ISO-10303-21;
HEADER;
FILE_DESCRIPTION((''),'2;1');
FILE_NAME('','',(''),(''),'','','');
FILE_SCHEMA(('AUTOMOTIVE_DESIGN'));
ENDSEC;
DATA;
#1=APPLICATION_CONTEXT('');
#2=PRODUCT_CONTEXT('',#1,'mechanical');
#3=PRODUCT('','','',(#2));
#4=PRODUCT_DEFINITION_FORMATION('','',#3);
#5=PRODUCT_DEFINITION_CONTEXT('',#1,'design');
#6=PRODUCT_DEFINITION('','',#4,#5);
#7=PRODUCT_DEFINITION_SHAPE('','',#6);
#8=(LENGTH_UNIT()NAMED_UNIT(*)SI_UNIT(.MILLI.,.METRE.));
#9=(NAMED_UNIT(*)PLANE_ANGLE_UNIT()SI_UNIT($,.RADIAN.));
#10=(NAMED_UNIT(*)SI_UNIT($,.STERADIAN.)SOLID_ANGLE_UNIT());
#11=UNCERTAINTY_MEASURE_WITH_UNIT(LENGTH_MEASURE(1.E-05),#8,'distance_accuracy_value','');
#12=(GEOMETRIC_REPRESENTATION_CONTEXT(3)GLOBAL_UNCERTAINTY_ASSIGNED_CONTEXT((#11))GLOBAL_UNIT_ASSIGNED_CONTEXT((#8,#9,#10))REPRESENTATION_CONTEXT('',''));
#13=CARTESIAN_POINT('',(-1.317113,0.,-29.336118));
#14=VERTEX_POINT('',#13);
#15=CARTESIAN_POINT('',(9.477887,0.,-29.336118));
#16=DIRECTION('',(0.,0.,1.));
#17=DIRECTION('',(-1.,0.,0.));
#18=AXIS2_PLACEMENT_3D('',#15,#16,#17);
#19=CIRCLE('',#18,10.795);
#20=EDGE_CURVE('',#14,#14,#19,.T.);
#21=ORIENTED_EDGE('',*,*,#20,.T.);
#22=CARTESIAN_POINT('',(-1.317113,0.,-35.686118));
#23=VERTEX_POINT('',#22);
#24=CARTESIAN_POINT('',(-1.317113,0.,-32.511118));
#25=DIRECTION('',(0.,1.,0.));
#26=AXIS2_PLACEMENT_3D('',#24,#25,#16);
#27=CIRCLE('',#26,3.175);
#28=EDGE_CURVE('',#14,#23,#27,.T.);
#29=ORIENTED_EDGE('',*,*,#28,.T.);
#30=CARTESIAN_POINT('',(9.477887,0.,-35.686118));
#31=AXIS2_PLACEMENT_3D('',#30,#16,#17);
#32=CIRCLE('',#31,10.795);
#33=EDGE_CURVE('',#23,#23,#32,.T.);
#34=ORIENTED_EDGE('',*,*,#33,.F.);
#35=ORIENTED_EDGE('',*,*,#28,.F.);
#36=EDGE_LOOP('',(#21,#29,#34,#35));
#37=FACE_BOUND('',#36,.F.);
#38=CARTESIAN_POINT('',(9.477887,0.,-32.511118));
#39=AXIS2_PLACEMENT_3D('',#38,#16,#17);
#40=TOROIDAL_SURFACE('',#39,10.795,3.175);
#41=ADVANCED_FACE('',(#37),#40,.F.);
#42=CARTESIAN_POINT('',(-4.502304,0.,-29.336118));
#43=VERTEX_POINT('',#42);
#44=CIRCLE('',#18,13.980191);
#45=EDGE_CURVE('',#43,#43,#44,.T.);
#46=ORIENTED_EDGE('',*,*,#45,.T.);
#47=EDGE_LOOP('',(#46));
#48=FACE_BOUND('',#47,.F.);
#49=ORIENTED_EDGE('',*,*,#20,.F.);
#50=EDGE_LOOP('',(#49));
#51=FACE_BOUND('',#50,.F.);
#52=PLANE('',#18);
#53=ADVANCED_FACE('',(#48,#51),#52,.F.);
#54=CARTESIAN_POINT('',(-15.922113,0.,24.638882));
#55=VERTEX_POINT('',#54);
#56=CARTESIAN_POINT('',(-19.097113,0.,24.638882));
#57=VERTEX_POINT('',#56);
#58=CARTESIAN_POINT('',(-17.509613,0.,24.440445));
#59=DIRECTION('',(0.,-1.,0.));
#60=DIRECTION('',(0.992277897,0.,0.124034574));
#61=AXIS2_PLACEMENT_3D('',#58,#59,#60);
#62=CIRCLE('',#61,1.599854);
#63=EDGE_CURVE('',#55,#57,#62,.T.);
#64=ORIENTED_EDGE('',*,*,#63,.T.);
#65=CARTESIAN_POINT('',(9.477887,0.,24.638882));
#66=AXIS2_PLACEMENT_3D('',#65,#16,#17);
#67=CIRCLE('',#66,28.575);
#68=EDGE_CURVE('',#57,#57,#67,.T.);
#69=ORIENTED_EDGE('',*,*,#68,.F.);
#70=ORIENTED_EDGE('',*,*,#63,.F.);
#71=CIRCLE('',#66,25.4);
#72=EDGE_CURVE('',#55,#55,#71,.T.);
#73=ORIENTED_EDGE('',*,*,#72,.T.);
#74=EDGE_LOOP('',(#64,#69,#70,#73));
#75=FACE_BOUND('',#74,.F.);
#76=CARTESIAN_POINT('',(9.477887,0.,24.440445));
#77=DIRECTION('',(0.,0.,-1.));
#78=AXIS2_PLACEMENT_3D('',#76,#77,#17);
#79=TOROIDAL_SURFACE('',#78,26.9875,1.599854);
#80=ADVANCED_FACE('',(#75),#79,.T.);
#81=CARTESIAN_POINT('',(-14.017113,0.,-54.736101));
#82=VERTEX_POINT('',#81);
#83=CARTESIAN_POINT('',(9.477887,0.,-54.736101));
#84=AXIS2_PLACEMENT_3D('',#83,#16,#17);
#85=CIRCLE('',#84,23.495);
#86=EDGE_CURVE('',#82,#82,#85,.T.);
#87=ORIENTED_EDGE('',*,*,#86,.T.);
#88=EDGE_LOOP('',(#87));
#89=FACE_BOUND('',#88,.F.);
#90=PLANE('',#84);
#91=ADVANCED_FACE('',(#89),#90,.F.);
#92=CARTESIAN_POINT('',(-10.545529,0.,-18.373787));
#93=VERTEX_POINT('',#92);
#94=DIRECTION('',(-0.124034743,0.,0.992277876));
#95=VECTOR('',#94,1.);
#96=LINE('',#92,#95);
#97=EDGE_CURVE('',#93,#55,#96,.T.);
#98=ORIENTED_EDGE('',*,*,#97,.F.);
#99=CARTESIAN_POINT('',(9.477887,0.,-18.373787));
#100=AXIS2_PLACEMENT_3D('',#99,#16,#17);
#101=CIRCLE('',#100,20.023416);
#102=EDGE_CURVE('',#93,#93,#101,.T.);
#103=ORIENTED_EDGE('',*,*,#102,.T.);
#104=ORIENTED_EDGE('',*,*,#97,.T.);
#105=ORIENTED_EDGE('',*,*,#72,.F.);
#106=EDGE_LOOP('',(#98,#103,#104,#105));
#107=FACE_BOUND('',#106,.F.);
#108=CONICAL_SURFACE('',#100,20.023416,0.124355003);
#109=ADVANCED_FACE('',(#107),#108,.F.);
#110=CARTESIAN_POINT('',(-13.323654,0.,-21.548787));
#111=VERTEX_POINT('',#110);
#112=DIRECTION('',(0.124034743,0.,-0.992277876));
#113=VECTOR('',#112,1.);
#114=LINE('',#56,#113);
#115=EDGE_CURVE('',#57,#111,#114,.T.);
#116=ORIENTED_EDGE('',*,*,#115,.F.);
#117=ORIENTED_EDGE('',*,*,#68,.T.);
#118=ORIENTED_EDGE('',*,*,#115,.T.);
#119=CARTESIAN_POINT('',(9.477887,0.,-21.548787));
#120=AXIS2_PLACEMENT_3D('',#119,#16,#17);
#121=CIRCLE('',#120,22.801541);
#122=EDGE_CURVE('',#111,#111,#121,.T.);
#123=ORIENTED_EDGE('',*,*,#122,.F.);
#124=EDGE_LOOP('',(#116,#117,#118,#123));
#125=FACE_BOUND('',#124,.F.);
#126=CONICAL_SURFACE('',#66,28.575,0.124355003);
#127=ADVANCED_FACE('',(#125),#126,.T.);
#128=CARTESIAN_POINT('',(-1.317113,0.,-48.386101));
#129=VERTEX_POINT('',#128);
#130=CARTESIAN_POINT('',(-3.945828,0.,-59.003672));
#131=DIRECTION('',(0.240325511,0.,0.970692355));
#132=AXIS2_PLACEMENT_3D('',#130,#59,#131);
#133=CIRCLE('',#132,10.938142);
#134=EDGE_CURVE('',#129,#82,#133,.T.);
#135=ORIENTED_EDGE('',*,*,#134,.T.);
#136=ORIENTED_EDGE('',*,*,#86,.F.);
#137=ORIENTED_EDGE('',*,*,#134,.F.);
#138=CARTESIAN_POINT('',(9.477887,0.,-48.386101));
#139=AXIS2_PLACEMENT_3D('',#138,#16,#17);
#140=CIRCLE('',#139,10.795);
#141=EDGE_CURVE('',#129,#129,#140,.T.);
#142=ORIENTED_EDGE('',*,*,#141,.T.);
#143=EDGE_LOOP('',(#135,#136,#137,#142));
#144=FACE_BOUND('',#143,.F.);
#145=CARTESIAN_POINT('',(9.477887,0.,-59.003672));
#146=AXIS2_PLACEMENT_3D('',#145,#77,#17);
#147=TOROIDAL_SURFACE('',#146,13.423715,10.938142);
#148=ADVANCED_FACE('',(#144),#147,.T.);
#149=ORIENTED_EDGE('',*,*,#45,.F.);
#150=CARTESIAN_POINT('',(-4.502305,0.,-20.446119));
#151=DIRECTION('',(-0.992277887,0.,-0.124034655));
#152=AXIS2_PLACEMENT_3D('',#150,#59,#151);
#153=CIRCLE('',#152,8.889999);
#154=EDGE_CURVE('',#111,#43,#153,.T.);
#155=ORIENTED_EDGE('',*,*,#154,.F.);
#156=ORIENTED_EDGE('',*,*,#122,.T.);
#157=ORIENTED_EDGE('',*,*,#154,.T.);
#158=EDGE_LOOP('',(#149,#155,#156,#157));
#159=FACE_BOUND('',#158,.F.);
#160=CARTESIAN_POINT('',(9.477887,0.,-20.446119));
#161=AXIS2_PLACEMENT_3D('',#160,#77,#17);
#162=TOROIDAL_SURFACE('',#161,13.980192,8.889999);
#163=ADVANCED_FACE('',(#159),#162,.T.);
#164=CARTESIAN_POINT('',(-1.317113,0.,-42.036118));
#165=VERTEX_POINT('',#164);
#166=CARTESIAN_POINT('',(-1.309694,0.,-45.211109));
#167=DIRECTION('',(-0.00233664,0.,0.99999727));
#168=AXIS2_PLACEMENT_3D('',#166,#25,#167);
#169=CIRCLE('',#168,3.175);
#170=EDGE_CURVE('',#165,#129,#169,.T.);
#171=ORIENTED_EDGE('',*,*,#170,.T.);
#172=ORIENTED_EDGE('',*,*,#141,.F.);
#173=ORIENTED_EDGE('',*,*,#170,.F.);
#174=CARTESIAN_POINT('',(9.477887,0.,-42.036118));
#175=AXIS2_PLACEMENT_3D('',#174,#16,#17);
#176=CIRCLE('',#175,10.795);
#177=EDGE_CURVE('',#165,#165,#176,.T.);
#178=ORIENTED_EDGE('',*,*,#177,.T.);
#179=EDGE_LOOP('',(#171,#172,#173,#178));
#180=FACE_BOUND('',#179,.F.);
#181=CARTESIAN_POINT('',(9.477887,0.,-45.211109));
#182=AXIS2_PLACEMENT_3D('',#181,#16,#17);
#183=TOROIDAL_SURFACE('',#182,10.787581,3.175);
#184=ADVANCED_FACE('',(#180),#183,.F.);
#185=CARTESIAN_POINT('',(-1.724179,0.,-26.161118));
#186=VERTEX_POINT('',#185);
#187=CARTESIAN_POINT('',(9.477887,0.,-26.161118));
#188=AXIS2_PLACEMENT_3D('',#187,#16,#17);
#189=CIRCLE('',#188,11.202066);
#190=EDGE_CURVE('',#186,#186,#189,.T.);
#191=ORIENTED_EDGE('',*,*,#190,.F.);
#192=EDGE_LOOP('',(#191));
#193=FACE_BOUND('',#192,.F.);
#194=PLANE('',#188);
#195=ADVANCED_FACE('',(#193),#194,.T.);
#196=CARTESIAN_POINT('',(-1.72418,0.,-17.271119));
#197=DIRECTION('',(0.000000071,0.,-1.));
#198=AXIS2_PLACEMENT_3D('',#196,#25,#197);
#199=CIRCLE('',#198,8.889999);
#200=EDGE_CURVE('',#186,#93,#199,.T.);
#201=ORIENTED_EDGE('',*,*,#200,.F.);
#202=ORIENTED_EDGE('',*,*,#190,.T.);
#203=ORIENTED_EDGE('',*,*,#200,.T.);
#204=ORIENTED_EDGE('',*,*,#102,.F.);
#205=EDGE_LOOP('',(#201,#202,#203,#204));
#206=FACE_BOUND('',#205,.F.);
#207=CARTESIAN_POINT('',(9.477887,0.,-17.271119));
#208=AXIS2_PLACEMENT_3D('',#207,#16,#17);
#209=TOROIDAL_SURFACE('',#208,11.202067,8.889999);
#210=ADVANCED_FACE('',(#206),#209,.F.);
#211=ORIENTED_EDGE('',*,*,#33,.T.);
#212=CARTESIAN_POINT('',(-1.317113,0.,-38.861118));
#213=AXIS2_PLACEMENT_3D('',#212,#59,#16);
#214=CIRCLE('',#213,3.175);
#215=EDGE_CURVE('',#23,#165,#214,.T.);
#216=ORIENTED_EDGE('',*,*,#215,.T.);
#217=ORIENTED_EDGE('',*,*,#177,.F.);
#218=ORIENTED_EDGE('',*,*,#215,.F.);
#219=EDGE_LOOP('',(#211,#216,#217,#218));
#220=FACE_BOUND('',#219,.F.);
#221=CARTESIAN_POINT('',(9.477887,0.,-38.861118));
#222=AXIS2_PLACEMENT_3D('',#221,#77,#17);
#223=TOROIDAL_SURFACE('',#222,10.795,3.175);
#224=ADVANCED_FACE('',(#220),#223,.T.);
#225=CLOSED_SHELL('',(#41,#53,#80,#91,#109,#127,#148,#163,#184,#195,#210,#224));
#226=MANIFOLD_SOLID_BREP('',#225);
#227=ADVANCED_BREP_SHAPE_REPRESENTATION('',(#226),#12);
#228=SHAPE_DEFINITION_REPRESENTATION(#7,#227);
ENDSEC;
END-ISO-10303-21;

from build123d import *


with BuildPart() as f1:
    # F0 (on Front) → F1 (revolve)
    with BuildSketch(Plane.XZ):
        with BuildLine():
            ThreePointArc((-1.724179, -26.161118), (-7.607604, -23.935757), (-10.545529, -18.373787))
            Line((-10.545529, -18.373787), (-15.922113, 24.638882))
            ThreePointArc((-15.922113, 24.638882), (-17.509613, 26.040299), (-19.097113, 24.638882))
            Line((-19.097113, 24.638882), (-13.323654, -21.548787))
            ThreePointArc((-13.323654, -21.548787), (-10.385729, -27.110757), (-4.502304, -29.336118))
            Line((-4.502304, -29.336118), (-1.317113, -29.336118))
            ThreePointArc((-1.317113, -29.336118), (1.857887, -32.511118), (-1.317113, -35.686118))
            ThreePointArc((-1.317113, -35.686118), (-4.492113, -38.861118), (-1.317113, -42.036118))
            ThreePointArc((-1.317113, -42.036118), (1.865306, -45.21111), (-1.317113, -48.386101))
            ThreePointArc((-1.317113, -48.386101), (-8.837513, -49.2203), (-14.017113, -54.736101))
            Line((-14.017113, -54.736101), (9.477887, -54.736101))
            Line((9.477887, -54.736101), (9.477887, -26.161118))
            Line((9.477887, -26.161118), (-1.724179, -26.161118))
        make_face()
    revolve(axis=Axis((9.477887, 0, -9.7164), (0, 0, 1)))


solid = f1.part
